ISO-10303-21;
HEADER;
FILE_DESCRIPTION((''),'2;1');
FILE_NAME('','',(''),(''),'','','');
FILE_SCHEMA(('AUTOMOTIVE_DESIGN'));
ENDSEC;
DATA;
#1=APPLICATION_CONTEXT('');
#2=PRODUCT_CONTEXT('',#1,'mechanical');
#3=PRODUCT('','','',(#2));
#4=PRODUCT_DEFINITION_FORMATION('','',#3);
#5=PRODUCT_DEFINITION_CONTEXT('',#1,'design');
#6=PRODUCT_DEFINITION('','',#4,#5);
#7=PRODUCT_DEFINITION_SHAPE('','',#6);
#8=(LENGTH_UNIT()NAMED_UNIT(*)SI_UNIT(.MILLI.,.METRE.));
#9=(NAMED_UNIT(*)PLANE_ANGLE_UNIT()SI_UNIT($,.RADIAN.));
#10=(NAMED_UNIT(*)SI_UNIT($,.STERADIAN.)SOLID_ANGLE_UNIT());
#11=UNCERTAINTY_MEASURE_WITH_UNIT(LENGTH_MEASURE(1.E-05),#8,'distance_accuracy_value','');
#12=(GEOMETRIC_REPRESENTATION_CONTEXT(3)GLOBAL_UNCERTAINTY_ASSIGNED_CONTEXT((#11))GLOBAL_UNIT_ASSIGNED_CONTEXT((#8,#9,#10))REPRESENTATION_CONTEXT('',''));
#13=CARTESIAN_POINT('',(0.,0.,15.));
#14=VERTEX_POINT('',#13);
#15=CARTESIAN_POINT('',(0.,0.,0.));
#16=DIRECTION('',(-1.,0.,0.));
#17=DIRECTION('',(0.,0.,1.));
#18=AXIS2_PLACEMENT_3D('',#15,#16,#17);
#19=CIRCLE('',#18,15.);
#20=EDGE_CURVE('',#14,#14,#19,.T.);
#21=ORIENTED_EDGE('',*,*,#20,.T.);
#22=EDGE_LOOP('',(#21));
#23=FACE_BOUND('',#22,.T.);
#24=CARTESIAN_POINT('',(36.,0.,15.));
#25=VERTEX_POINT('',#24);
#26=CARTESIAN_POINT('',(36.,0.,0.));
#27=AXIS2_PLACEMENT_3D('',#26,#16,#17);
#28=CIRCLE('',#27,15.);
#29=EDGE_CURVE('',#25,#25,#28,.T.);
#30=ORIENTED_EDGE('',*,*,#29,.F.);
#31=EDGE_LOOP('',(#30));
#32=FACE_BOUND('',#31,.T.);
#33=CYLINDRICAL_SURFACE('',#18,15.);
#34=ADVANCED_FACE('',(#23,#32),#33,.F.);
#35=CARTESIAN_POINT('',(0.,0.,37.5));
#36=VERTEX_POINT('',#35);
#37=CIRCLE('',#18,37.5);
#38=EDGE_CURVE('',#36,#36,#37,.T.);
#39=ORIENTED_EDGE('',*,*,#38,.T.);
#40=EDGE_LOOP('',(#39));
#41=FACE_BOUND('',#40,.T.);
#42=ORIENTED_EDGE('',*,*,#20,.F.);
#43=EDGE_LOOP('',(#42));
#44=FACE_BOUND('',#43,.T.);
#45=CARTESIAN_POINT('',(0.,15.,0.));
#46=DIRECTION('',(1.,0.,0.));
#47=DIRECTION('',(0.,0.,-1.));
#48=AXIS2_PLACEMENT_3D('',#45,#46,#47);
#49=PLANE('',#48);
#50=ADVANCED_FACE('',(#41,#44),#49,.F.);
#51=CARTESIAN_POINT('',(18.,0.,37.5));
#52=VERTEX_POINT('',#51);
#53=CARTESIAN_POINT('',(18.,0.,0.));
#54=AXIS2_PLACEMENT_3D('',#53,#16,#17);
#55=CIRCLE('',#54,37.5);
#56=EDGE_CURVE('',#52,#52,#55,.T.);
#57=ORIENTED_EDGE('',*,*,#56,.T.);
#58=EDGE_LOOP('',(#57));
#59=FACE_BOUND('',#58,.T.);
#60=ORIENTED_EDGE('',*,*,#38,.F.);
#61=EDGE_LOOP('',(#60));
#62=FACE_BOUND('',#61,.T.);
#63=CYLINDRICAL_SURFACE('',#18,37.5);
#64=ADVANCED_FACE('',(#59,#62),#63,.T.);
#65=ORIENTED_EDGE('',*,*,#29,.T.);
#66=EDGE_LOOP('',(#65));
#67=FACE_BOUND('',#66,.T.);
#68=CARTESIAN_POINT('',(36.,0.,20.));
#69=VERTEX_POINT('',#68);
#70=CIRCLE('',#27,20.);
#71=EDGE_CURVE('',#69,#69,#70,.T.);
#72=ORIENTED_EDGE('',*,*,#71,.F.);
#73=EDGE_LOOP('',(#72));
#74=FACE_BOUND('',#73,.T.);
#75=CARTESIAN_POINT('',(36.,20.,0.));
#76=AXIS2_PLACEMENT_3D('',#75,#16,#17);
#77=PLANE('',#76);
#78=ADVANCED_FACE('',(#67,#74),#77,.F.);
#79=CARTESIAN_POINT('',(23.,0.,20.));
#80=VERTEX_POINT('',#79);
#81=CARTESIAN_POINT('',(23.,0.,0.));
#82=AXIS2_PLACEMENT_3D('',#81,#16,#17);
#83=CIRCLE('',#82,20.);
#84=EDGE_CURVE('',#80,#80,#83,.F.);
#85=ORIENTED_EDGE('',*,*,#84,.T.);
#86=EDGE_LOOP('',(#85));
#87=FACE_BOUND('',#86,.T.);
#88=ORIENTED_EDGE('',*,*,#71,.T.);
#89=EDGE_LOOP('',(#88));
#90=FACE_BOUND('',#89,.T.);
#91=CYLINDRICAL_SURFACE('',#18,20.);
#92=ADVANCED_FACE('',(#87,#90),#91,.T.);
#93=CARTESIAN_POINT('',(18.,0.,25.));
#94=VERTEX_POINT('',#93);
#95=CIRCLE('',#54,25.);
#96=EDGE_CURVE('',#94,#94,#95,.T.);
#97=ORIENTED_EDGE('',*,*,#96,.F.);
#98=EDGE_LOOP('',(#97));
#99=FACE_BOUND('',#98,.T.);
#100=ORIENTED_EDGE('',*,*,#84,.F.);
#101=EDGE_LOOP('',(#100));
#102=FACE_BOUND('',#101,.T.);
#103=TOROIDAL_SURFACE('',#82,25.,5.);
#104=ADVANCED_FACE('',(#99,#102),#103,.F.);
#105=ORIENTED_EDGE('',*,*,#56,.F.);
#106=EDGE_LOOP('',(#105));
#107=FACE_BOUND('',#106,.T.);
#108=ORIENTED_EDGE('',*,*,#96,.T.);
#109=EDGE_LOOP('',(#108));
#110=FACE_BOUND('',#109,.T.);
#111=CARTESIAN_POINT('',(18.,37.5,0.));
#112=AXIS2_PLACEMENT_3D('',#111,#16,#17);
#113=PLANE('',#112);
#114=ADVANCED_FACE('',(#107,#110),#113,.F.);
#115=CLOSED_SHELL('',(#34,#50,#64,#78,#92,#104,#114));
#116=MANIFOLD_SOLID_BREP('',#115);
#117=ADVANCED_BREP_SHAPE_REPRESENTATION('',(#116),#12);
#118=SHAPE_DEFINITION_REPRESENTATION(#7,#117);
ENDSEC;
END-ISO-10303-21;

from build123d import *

# Parameters (mm, degrees)
RADYUS1_R = 5


with BuildPart() as part:
    # Çizim1 → Döndür1 (revolve)
    with BuildSketch(Plane.XY):
        Polygon((0, 37.5), (18, 37.5), (18, 20), (36, 20), (36, 15), (0, 15), align=None)
    revolve(axis=Axis((0, 0, 0), (1, 0, 0)))

    # Radyus1
    radyus1_edges = [part.edges().sort_by_distance(p)[0] for p in [
        (18, -20, 0),
    ]]
    fillet(radyus1_edges, radius=RADYUS1_R)


solid = part.part
